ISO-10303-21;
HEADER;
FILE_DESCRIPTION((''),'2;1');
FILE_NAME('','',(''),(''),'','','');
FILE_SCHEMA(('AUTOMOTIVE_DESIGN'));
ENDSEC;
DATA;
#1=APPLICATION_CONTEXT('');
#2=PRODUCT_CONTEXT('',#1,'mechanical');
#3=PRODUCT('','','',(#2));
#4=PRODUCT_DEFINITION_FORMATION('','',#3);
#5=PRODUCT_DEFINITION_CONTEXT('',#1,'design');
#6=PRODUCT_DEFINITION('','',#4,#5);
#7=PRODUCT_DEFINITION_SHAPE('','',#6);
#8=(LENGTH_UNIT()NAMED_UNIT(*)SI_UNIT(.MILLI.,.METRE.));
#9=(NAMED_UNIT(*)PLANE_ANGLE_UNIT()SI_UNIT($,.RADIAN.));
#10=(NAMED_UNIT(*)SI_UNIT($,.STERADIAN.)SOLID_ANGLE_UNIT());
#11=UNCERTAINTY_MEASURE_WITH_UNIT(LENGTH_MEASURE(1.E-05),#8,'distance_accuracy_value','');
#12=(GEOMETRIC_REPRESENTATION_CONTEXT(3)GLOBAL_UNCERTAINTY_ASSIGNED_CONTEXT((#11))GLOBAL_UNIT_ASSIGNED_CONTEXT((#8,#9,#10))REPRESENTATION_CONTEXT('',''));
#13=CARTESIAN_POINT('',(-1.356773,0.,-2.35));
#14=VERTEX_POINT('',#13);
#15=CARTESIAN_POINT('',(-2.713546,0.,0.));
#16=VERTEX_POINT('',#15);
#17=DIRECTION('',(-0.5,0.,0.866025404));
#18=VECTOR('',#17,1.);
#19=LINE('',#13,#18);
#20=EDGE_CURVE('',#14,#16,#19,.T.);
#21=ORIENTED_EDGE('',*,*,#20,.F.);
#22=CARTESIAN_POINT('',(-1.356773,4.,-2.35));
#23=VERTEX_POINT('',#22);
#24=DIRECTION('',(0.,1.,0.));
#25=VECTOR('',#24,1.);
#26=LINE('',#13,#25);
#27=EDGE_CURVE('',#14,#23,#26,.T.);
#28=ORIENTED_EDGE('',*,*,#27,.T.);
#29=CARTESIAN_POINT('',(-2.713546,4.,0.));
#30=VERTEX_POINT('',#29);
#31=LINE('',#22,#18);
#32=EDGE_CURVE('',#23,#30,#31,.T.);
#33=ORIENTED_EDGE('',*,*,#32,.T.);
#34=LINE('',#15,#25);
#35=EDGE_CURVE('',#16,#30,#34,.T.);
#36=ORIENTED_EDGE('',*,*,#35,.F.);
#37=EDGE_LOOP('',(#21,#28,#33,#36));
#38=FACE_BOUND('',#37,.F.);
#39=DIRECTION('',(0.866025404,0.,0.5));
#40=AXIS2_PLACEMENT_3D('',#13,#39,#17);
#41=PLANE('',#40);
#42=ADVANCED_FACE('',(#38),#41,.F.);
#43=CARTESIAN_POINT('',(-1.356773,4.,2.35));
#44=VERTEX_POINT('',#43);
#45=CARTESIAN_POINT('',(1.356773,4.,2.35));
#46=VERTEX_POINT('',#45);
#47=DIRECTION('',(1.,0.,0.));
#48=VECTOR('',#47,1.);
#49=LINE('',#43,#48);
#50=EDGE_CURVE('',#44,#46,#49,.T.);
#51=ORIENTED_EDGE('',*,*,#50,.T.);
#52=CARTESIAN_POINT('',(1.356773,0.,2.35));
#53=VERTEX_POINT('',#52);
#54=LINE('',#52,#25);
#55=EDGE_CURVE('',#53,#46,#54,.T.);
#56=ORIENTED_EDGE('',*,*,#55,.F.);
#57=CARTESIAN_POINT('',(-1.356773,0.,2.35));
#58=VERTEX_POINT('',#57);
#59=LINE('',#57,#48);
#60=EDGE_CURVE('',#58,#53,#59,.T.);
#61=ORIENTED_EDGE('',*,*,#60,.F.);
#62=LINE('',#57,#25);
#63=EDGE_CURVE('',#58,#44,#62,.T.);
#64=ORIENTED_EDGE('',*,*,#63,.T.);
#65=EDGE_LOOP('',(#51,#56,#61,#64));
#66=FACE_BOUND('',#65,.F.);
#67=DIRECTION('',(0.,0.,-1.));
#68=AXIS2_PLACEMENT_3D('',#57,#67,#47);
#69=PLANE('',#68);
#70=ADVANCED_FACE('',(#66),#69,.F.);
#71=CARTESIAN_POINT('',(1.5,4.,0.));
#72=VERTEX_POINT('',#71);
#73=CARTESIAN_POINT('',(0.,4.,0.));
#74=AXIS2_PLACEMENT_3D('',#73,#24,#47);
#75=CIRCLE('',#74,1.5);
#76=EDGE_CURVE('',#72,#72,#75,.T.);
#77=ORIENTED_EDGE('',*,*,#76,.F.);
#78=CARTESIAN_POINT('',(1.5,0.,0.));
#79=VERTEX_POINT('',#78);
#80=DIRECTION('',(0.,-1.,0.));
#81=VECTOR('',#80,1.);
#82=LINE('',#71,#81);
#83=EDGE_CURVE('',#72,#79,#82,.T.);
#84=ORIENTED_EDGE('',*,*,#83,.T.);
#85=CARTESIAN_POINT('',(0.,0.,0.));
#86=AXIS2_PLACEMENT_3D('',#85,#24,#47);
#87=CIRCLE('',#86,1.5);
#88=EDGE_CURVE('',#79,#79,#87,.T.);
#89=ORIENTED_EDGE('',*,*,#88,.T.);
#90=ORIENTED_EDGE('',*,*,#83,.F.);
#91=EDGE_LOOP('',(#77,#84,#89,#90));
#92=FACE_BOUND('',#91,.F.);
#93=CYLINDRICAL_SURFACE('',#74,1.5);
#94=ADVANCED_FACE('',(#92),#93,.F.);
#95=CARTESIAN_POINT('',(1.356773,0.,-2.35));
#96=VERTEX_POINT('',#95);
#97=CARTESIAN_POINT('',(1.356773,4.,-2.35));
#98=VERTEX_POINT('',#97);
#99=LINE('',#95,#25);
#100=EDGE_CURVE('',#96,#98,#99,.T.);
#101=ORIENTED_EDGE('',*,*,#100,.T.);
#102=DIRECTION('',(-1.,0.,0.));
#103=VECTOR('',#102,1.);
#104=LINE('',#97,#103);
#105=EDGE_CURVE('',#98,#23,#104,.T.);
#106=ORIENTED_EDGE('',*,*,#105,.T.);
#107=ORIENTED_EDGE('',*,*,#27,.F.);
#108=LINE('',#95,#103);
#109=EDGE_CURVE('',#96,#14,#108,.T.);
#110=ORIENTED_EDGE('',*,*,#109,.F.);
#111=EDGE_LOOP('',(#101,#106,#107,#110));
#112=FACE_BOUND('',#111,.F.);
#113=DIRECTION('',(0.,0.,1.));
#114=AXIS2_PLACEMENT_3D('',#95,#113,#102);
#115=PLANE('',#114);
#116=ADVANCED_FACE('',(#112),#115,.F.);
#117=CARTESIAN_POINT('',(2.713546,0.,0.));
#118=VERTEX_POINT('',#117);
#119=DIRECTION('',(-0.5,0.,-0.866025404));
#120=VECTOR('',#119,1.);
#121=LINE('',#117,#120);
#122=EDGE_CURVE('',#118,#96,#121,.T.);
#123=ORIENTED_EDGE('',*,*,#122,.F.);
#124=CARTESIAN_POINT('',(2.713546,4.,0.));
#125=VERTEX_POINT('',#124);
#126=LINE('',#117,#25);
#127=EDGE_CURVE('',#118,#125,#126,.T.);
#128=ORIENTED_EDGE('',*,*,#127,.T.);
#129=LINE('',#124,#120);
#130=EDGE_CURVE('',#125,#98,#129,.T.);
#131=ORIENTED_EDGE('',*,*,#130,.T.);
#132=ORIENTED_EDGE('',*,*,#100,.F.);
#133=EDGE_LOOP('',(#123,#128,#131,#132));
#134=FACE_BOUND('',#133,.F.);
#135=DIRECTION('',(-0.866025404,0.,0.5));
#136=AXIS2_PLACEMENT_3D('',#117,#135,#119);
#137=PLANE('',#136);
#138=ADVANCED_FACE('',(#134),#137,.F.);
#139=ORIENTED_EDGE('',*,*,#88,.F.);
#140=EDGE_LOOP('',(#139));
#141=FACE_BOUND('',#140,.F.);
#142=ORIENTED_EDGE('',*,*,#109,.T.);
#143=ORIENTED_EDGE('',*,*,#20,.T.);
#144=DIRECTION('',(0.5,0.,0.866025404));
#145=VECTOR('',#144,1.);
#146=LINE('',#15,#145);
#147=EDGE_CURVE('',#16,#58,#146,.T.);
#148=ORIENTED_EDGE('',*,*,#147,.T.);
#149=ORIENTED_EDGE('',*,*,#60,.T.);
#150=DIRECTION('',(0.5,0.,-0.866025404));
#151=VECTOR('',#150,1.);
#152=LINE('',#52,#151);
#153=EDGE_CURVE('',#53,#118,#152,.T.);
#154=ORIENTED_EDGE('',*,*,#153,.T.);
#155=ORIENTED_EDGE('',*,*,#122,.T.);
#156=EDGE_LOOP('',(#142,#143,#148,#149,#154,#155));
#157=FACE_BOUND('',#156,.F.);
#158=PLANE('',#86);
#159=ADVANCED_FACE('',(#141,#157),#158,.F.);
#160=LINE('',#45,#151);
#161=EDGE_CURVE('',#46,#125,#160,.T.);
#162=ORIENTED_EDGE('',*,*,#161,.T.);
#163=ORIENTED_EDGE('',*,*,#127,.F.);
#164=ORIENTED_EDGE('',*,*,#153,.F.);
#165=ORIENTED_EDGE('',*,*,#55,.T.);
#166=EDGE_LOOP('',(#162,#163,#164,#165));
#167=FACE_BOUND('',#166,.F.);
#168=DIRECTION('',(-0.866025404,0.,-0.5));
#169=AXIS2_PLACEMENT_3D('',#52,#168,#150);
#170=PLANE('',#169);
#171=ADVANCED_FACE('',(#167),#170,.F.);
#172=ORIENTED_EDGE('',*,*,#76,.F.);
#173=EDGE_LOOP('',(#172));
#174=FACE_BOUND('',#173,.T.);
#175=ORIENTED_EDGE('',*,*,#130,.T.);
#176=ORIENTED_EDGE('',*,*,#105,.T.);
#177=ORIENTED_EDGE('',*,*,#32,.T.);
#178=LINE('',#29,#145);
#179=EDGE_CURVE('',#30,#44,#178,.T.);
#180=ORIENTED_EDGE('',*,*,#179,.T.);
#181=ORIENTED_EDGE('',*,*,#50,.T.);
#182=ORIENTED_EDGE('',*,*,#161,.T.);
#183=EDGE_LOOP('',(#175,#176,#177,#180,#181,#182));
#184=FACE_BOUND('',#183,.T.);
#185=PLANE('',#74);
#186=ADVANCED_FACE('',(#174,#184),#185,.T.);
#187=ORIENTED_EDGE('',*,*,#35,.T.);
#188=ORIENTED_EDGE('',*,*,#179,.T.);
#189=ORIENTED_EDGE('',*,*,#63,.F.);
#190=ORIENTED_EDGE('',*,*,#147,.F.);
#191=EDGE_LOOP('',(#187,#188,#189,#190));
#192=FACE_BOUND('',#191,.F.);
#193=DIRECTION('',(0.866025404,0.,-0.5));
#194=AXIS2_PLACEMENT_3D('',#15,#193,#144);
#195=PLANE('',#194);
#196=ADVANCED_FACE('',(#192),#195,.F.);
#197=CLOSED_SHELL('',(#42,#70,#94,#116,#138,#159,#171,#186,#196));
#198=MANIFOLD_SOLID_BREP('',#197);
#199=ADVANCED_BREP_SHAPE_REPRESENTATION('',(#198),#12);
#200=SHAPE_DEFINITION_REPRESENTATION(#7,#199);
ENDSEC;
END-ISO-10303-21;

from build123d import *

# Parameters (mm, degrees)
EXTRUDE_1_DEPTH     = 4
SKETCH_2_R          = 1.5
CUT_EXTRUDE_1_DEPTH = 5


with BuildPart() as part:
    # 草图1 → 凸台-拉伸1 (new body)
    with BuildSketch(Plane(origin=(0, 0, 0), x_dir=(1, 0, 0), z_dir=(0, 1, 0))):
        Polygon((2.713546265, 0), (1.356773133, 2.35), (-1.356773133, 2.35), (-2.713546265, 0), (-1.356773133, -2.35), (1.356773133, -2.35), align=None)
    extrude(amount=EXTRUDE_1_DEPTH)

    # 草图2 → 切除-拉伸1 (cut, through all)
    with BuildSketch(Plane(origin=(0, 4, 0), x_dir=(1, 0, 0), z_dir=(0, 1, 0))):
        Circle(SKETCH_2_R)
    extrude(amount=-CUT_EXTRUDE_1_DEPTH, mode=Mode.SUBTRACT)


solid = part.part
